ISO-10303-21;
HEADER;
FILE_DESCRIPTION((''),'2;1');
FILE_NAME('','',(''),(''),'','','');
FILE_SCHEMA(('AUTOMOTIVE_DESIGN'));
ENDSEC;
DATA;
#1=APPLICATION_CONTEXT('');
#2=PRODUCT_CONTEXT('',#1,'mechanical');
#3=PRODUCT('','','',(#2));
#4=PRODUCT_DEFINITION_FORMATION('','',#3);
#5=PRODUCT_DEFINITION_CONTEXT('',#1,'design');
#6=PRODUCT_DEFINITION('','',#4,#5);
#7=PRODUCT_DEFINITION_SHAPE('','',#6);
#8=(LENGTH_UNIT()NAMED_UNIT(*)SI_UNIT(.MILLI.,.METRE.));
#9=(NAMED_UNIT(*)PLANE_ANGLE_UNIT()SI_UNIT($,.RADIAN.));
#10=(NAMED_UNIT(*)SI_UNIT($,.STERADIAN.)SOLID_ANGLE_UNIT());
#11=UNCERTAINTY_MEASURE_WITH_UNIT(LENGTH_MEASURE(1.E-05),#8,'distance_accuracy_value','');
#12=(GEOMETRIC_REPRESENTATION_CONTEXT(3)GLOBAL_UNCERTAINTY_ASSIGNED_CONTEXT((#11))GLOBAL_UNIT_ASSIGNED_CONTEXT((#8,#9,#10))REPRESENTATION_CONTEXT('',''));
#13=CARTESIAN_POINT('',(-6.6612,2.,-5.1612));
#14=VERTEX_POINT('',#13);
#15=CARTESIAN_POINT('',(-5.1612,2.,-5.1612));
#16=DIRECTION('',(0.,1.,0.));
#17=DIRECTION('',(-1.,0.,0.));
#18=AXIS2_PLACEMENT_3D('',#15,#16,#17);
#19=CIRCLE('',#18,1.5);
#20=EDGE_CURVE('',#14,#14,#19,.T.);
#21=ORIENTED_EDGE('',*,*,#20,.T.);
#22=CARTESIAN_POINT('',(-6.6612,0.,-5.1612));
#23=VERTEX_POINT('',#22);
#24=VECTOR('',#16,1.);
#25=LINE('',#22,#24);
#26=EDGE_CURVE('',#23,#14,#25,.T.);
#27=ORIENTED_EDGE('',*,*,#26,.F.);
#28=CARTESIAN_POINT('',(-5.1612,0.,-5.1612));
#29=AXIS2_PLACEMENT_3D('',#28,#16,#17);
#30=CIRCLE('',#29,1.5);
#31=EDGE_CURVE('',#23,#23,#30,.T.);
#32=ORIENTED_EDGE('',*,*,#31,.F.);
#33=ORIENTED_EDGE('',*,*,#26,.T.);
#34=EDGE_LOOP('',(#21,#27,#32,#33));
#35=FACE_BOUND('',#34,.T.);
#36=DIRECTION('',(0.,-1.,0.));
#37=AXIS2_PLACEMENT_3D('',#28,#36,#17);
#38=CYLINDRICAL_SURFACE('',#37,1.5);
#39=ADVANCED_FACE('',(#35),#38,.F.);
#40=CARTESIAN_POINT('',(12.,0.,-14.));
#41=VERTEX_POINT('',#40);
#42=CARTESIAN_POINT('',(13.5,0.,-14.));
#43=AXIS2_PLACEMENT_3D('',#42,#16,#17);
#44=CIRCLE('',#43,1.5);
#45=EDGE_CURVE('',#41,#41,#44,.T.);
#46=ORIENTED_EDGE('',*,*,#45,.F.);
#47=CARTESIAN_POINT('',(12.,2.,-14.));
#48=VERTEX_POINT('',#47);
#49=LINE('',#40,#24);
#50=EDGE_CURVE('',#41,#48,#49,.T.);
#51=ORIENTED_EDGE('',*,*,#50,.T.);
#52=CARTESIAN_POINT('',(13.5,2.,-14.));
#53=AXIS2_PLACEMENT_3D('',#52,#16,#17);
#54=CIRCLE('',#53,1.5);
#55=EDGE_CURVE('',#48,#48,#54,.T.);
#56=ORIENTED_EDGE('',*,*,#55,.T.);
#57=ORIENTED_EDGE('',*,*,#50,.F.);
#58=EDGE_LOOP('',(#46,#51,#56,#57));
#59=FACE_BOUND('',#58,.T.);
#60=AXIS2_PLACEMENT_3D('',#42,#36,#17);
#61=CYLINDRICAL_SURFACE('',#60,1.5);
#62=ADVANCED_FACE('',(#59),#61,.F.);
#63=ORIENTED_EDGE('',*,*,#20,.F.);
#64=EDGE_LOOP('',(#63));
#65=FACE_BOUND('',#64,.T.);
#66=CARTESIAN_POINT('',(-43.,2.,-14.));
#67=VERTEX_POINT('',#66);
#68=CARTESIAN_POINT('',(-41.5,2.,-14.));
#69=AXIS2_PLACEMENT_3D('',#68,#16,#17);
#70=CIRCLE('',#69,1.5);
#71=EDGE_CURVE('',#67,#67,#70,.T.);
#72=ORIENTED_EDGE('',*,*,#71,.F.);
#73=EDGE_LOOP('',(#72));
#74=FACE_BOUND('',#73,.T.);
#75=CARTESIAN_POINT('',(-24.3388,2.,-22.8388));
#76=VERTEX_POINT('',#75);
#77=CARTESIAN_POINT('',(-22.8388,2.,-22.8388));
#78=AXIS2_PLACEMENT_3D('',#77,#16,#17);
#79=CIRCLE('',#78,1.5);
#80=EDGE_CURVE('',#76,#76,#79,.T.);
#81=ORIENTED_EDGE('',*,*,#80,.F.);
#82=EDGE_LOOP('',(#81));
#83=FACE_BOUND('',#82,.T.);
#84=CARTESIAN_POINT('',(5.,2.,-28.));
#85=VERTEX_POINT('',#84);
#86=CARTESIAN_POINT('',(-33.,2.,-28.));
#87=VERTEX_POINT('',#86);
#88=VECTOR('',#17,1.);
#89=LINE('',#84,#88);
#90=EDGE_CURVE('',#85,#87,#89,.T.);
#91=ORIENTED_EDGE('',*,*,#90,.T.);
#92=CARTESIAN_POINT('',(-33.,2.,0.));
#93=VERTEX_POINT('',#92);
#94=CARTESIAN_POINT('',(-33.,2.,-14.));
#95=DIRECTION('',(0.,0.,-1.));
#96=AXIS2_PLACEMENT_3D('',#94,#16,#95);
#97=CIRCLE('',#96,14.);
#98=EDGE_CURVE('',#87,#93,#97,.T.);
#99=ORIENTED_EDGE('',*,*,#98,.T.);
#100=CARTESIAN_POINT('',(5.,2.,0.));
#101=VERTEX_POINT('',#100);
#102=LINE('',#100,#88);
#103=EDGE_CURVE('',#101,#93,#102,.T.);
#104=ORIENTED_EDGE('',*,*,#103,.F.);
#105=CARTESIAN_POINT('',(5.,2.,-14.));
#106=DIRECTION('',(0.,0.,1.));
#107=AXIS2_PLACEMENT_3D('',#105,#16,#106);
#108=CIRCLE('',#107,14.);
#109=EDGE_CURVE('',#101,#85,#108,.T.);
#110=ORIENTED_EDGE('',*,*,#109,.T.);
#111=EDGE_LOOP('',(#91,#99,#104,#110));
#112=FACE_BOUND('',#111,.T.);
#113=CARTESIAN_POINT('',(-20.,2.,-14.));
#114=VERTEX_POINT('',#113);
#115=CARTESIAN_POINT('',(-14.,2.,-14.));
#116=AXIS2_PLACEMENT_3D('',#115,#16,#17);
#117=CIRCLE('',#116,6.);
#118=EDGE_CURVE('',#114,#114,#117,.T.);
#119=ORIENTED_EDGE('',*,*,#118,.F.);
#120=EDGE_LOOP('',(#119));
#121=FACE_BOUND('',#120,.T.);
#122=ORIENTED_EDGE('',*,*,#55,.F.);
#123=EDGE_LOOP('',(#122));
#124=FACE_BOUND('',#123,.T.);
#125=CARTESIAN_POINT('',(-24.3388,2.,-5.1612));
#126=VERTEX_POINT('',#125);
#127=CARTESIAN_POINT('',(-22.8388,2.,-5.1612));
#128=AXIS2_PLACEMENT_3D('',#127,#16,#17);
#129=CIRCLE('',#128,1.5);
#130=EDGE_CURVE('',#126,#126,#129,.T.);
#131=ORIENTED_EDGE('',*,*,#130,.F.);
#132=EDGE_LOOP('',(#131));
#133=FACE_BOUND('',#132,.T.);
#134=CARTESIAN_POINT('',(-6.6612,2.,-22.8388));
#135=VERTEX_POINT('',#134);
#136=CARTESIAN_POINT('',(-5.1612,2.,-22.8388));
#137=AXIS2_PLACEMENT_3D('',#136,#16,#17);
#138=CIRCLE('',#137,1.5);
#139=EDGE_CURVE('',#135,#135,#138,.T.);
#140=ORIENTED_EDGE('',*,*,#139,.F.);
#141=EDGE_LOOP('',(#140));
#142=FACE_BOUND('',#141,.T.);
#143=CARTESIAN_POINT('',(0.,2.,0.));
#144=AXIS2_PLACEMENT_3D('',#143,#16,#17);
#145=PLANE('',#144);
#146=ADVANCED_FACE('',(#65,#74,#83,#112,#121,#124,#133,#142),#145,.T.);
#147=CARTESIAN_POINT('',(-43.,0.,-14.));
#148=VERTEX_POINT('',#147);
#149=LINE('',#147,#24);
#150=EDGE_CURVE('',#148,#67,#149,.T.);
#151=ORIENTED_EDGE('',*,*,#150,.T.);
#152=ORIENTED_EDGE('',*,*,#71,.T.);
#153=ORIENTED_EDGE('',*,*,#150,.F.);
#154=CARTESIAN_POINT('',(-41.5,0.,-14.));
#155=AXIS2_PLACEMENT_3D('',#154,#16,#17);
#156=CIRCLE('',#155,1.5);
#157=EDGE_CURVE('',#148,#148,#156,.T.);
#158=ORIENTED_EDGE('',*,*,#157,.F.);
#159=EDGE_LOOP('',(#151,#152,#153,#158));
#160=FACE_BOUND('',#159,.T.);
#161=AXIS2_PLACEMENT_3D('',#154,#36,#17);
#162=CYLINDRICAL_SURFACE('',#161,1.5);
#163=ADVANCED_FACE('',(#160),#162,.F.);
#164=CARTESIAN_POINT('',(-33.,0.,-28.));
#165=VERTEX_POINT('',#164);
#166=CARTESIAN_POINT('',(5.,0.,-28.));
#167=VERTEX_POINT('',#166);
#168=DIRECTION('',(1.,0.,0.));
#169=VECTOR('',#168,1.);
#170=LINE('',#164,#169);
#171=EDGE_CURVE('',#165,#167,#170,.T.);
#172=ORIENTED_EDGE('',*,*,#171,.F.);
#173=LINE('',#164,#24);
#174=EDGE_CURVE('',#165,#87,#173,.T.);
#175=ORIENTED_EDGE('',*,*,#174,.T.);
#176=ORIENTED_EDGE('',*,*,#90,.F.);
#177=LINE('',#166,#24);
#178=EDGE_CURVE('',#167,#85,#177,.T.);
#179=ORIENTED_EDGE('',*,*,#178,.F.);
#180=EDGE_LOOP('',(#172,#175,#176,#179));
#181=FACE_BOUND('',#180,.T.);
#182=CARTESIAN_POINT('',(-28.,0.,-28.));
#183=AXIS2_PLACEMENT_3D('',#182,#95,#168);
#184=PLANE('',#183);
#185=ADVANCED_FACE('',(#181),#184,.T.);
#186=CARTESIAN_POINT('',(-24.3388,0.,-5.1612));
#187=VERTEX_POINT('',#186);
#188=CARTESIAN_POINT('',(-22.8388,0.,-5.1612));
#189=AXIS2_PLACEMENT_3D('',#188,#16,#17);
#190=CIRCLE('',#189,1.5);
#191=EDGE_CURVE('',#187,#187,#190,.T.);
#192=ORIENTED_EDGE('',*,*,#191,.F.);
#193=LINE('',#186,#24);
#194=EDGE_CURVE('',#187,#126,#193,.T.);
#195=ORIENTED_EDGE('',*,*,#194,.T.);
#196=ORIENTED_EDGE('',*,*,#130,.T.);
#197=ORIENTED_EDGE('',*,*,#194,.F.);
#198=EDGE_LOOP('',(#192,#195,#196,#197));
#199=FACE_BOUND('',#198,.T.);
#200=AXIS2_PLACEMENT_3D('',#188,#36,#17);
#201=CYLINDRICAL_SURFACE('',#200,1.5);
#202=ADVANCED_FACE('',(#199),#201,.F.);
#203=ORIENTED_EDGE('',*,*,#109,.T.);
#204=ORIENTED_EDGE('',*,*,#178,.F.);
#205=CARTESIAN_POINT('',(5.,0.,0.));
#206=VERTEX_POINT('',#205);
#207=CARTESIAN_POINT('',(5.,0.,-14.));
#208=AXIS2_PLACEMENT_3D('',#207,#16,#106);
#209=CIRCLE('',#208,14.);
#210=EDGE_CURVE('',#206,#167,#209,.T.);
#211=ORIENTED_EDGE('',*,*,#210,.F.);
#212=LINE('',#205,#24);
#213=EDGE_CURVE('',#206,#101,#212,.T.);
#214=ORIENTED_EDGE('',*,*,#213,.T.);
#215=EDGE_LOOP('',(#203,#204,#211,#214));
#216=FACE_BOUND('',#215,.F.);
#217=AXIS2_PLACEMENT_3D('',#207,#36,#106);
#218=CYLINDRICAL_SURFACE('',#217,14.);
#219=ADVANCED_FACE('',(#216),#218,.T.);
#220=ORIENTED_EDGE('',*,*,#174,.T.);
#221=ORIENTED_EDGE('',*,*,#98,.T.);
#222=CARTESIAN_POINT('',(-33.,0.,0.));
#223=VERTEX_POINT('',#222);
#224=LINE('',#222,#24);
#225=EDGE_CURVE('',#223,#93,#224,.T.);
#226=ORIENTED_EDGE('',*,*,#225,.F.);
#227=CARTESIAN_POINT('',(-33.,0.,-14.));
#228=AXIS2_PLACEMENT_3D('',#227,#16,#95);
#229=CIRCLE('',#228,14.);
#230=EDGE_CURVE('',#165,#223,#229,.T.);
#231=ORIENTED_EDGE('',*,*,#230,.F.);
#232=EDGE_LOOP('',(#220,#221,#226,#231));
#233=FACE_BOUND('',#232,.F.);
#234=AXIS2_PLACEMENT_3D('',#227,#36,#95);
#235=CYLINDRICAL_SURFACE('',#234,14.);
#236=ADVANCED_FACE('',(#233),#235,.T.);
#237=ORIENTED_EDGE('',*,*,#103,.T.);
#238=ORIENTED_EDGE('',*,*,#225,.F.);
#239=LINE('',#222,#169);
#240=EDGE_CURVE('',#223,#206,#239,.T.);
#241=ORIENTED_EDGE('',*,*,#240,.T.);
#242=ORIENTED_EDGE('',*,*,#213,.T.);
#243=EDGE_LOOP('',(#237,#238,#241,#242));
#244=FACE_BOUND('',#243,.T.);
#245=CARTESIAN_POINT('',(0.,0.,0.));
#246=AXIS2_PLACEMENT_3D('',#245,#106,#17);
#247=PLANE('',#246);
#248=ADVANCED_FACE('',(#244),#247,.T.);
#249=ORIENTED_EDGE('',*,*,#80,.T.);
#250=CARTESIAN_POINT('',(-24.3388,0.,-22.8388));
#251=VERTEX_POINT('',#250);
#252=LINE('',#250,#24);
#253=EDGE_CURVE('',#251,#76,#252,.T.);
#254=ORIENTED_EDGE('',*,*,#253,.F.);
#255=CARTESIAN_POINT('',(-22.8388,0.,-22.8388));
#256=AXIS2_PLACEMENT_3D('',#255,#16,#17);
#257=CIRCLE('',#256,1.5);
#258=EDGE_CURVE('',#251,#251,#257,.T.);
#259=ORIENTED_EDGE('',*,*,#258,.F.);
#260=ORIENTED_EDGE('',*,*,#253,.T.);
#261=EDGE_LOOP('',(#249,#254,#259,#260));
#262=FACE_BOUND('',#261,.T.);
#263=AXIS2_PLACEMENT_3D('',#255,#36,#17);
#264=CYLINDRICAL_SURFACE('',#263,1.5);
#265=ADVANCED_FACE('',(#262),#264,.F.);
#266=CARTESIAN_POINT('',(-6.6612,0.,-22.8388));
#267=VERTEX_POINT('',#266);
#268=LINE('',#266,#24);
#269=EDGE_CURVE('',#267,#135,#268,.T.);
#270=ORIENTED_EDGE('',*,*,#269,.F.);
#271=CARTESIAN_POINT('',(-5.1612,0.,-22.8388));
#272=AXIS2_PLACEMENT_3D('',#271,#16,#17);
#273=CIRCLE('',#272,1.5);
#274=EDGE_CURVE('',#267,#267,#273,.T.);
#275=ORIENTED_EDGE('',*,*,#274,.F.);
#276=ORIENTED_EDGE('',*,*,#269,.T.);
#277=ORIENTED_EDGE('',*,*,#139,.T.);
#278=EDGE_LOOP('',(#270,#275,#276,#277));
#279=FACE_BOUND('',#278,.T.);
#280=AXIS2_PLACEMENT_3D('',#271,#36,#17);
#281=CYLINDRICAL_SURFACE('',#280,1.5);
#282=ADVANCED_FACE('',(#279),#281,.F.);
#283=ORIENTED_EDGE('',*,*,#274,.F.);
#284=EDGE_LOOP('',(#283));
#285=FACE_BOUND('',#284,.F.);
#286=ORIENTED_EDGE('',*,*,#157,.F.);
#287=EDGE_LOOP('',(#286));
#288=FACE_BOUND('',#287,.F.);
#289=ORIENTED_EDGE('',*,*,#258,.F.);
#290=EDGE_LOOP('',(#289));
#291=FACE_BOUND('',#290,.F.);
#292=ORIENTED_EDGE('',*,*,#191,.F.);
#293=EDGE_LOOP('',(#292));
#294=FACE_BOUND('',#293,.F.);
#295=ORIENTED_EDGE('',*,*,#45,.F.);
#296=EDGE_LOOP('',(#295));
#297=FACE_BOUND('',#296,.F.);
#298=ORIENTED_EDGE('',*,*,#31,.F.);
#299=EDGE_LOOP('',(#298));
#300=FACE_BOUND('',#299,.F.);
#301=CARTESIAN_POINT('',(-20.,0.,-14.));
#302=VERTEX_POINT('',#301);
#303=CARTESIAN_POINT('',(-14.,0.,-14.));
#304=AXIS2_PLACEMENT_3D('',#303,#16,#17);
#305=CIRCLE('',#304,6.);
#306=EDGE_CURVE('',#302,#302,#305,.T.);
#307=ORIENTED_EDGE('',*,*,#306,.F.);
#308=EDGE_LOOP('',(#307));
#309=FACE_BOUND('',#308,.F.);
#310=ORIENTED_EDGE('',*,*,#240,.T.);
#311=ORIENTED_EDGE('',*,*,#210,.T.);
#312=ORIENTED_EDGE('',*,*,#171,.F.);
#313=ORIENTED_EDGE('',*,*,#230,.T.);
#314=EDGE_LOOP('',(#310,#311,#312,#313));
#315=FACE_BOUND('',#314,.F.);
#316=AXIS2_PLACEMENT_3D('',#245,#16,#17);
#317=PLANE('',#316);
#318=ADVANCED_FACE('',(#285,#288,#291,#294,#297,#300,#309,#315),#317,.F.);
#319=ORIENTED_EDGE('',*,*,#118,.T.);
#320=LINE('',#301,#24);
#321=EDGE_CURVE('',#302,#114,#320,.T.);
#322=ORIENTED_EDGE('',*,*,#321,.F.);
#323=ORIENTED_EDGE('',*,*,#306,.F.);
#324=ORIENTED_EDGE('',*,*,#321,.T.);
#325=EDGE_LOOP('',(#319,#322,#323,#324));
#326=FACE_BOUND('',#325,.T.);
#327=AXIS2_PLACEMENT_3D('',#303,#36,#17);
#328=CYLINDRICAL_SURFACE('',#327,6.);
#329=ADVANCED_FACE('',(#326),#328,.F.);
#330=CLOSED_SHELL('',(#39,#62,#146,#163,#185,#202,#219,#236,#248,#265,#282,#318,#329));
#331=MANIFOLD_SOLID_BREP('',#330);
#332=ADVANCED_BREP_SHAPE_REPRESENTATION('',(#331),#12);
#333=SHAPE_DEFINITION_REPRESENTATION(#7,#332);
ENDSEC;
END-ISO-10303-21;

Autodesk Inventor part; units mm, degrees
ref_plane "YZ Plane" through (0, 0, 0) normal (1, 0, 0) x (0, 1, 0)
ref_plane "XZ Plane" through (0, 0, 0) normal (0, 1, 0) x (-1, 0, 0)
ref_plane "XY Plane" through (0, 0, 0) normal (0, 0, 1) x (1, 0, 0)
sketch "Sketch2" plane through (0, 0, 0) normal (0, 1, 0) x (-1, 0, 0)
  line L0 (0, 0) -> (28, 0)
  line L1 (28, 0) -> (28, -28)
  line L2 (28, -28) -> (0, -28)
  line L3 (0, -28) -> (0, 0)
  line L4 (28, 0) -> (0, -28) construction
  line L5 (28, -28) -> (0, 0) construction
  circle A0 centre (22.8388, -5.1612) radius 1.5
  circle A1 centre (22.8388, -22.8388) radius 1.5
  circle A2 centre (5.1612, -5.1612) radius 1.5
  circle A3 centre (5.1612, -22.8388) radius 1.5
  circle A4 centre (14, -14) radius 6
  line L6 (28, -28) -> (33, -28)
  line L7 (33, -28) -> (33, 0)
  line L8 (33, 0) -> (28, 0)
  line L9 (28, 0) -> (28, -28)
  line L10 (0, -28) -> (-5, -28)
  line L11 (-5, -28) -> (-5, 0)
  line L12 (-5, 0) -> (0, 0)
  line L13 (0, 0) -> (0, -28)
  arc A5 (33, -28) -> (33, 0) centre (33, -14) ccw
  arc A6 (-5, 0) -> (-5, -28) centre (-5, -14) ccw
  circle A7 centre (41.5, -14) radius 1.5
  circle A8 centre (-13.5, -14) radius 1.5
  dimension "d37" = 3
  dimension "d38" = 3
  dimension "d39" = 3
  dimension "d40" = 3
  dimension "d41" = 12.5
  dimension "d42" = 12.5
  dimension "d43" = 12.5
  dimension "d44" = 12.5
  dimension "d60" = 28
  dimension "d61" = 12
  dimension "d66" = 5
  dimension "d67" = 5
  dimension "d68" = 3
  dimension "d69" = 3
  dimension "d70" = 8.5
  dimension "d71" = 8.5
extrude "Extrusion2" add sketch "Sketch2" along normal blind 2
sketch "Sketch3" plane through (0, 2, 0) normal (0, 1, 0) x (1, 0, 0)
  line L0 (5, 28) -> (-33, 28) projected
  arc A0 (-33, 28) -> (-33, 0) centre (-33, 14) ccw projected
  line L1 (-33, 0) -> (5, 0) projected
  arc A1 (5, 0) -> (5, 28) centre (5, 14) ccw projected
  circle A2 centre (-22.8388, 22.8388) radius 1.5 projected
  circle A3 centre (-5.1612, 5.1612) radius 1.5 projected
  circle A4 centre (-14, 14) radius 6 projected
  circle A5 centre (-5.1612, 22.8388) radius 1.5 projected
  circle A6 centre (-22.8388, 5.1612) radius 1.5 projected
  circle A7 centre (-41.5, 14) radius 1.5 projected
  circle A8 centre (13.5, 14) radius 1.5 projected
  point P0 (0, 0)
properties part number "Motor_mount_plate_large"
